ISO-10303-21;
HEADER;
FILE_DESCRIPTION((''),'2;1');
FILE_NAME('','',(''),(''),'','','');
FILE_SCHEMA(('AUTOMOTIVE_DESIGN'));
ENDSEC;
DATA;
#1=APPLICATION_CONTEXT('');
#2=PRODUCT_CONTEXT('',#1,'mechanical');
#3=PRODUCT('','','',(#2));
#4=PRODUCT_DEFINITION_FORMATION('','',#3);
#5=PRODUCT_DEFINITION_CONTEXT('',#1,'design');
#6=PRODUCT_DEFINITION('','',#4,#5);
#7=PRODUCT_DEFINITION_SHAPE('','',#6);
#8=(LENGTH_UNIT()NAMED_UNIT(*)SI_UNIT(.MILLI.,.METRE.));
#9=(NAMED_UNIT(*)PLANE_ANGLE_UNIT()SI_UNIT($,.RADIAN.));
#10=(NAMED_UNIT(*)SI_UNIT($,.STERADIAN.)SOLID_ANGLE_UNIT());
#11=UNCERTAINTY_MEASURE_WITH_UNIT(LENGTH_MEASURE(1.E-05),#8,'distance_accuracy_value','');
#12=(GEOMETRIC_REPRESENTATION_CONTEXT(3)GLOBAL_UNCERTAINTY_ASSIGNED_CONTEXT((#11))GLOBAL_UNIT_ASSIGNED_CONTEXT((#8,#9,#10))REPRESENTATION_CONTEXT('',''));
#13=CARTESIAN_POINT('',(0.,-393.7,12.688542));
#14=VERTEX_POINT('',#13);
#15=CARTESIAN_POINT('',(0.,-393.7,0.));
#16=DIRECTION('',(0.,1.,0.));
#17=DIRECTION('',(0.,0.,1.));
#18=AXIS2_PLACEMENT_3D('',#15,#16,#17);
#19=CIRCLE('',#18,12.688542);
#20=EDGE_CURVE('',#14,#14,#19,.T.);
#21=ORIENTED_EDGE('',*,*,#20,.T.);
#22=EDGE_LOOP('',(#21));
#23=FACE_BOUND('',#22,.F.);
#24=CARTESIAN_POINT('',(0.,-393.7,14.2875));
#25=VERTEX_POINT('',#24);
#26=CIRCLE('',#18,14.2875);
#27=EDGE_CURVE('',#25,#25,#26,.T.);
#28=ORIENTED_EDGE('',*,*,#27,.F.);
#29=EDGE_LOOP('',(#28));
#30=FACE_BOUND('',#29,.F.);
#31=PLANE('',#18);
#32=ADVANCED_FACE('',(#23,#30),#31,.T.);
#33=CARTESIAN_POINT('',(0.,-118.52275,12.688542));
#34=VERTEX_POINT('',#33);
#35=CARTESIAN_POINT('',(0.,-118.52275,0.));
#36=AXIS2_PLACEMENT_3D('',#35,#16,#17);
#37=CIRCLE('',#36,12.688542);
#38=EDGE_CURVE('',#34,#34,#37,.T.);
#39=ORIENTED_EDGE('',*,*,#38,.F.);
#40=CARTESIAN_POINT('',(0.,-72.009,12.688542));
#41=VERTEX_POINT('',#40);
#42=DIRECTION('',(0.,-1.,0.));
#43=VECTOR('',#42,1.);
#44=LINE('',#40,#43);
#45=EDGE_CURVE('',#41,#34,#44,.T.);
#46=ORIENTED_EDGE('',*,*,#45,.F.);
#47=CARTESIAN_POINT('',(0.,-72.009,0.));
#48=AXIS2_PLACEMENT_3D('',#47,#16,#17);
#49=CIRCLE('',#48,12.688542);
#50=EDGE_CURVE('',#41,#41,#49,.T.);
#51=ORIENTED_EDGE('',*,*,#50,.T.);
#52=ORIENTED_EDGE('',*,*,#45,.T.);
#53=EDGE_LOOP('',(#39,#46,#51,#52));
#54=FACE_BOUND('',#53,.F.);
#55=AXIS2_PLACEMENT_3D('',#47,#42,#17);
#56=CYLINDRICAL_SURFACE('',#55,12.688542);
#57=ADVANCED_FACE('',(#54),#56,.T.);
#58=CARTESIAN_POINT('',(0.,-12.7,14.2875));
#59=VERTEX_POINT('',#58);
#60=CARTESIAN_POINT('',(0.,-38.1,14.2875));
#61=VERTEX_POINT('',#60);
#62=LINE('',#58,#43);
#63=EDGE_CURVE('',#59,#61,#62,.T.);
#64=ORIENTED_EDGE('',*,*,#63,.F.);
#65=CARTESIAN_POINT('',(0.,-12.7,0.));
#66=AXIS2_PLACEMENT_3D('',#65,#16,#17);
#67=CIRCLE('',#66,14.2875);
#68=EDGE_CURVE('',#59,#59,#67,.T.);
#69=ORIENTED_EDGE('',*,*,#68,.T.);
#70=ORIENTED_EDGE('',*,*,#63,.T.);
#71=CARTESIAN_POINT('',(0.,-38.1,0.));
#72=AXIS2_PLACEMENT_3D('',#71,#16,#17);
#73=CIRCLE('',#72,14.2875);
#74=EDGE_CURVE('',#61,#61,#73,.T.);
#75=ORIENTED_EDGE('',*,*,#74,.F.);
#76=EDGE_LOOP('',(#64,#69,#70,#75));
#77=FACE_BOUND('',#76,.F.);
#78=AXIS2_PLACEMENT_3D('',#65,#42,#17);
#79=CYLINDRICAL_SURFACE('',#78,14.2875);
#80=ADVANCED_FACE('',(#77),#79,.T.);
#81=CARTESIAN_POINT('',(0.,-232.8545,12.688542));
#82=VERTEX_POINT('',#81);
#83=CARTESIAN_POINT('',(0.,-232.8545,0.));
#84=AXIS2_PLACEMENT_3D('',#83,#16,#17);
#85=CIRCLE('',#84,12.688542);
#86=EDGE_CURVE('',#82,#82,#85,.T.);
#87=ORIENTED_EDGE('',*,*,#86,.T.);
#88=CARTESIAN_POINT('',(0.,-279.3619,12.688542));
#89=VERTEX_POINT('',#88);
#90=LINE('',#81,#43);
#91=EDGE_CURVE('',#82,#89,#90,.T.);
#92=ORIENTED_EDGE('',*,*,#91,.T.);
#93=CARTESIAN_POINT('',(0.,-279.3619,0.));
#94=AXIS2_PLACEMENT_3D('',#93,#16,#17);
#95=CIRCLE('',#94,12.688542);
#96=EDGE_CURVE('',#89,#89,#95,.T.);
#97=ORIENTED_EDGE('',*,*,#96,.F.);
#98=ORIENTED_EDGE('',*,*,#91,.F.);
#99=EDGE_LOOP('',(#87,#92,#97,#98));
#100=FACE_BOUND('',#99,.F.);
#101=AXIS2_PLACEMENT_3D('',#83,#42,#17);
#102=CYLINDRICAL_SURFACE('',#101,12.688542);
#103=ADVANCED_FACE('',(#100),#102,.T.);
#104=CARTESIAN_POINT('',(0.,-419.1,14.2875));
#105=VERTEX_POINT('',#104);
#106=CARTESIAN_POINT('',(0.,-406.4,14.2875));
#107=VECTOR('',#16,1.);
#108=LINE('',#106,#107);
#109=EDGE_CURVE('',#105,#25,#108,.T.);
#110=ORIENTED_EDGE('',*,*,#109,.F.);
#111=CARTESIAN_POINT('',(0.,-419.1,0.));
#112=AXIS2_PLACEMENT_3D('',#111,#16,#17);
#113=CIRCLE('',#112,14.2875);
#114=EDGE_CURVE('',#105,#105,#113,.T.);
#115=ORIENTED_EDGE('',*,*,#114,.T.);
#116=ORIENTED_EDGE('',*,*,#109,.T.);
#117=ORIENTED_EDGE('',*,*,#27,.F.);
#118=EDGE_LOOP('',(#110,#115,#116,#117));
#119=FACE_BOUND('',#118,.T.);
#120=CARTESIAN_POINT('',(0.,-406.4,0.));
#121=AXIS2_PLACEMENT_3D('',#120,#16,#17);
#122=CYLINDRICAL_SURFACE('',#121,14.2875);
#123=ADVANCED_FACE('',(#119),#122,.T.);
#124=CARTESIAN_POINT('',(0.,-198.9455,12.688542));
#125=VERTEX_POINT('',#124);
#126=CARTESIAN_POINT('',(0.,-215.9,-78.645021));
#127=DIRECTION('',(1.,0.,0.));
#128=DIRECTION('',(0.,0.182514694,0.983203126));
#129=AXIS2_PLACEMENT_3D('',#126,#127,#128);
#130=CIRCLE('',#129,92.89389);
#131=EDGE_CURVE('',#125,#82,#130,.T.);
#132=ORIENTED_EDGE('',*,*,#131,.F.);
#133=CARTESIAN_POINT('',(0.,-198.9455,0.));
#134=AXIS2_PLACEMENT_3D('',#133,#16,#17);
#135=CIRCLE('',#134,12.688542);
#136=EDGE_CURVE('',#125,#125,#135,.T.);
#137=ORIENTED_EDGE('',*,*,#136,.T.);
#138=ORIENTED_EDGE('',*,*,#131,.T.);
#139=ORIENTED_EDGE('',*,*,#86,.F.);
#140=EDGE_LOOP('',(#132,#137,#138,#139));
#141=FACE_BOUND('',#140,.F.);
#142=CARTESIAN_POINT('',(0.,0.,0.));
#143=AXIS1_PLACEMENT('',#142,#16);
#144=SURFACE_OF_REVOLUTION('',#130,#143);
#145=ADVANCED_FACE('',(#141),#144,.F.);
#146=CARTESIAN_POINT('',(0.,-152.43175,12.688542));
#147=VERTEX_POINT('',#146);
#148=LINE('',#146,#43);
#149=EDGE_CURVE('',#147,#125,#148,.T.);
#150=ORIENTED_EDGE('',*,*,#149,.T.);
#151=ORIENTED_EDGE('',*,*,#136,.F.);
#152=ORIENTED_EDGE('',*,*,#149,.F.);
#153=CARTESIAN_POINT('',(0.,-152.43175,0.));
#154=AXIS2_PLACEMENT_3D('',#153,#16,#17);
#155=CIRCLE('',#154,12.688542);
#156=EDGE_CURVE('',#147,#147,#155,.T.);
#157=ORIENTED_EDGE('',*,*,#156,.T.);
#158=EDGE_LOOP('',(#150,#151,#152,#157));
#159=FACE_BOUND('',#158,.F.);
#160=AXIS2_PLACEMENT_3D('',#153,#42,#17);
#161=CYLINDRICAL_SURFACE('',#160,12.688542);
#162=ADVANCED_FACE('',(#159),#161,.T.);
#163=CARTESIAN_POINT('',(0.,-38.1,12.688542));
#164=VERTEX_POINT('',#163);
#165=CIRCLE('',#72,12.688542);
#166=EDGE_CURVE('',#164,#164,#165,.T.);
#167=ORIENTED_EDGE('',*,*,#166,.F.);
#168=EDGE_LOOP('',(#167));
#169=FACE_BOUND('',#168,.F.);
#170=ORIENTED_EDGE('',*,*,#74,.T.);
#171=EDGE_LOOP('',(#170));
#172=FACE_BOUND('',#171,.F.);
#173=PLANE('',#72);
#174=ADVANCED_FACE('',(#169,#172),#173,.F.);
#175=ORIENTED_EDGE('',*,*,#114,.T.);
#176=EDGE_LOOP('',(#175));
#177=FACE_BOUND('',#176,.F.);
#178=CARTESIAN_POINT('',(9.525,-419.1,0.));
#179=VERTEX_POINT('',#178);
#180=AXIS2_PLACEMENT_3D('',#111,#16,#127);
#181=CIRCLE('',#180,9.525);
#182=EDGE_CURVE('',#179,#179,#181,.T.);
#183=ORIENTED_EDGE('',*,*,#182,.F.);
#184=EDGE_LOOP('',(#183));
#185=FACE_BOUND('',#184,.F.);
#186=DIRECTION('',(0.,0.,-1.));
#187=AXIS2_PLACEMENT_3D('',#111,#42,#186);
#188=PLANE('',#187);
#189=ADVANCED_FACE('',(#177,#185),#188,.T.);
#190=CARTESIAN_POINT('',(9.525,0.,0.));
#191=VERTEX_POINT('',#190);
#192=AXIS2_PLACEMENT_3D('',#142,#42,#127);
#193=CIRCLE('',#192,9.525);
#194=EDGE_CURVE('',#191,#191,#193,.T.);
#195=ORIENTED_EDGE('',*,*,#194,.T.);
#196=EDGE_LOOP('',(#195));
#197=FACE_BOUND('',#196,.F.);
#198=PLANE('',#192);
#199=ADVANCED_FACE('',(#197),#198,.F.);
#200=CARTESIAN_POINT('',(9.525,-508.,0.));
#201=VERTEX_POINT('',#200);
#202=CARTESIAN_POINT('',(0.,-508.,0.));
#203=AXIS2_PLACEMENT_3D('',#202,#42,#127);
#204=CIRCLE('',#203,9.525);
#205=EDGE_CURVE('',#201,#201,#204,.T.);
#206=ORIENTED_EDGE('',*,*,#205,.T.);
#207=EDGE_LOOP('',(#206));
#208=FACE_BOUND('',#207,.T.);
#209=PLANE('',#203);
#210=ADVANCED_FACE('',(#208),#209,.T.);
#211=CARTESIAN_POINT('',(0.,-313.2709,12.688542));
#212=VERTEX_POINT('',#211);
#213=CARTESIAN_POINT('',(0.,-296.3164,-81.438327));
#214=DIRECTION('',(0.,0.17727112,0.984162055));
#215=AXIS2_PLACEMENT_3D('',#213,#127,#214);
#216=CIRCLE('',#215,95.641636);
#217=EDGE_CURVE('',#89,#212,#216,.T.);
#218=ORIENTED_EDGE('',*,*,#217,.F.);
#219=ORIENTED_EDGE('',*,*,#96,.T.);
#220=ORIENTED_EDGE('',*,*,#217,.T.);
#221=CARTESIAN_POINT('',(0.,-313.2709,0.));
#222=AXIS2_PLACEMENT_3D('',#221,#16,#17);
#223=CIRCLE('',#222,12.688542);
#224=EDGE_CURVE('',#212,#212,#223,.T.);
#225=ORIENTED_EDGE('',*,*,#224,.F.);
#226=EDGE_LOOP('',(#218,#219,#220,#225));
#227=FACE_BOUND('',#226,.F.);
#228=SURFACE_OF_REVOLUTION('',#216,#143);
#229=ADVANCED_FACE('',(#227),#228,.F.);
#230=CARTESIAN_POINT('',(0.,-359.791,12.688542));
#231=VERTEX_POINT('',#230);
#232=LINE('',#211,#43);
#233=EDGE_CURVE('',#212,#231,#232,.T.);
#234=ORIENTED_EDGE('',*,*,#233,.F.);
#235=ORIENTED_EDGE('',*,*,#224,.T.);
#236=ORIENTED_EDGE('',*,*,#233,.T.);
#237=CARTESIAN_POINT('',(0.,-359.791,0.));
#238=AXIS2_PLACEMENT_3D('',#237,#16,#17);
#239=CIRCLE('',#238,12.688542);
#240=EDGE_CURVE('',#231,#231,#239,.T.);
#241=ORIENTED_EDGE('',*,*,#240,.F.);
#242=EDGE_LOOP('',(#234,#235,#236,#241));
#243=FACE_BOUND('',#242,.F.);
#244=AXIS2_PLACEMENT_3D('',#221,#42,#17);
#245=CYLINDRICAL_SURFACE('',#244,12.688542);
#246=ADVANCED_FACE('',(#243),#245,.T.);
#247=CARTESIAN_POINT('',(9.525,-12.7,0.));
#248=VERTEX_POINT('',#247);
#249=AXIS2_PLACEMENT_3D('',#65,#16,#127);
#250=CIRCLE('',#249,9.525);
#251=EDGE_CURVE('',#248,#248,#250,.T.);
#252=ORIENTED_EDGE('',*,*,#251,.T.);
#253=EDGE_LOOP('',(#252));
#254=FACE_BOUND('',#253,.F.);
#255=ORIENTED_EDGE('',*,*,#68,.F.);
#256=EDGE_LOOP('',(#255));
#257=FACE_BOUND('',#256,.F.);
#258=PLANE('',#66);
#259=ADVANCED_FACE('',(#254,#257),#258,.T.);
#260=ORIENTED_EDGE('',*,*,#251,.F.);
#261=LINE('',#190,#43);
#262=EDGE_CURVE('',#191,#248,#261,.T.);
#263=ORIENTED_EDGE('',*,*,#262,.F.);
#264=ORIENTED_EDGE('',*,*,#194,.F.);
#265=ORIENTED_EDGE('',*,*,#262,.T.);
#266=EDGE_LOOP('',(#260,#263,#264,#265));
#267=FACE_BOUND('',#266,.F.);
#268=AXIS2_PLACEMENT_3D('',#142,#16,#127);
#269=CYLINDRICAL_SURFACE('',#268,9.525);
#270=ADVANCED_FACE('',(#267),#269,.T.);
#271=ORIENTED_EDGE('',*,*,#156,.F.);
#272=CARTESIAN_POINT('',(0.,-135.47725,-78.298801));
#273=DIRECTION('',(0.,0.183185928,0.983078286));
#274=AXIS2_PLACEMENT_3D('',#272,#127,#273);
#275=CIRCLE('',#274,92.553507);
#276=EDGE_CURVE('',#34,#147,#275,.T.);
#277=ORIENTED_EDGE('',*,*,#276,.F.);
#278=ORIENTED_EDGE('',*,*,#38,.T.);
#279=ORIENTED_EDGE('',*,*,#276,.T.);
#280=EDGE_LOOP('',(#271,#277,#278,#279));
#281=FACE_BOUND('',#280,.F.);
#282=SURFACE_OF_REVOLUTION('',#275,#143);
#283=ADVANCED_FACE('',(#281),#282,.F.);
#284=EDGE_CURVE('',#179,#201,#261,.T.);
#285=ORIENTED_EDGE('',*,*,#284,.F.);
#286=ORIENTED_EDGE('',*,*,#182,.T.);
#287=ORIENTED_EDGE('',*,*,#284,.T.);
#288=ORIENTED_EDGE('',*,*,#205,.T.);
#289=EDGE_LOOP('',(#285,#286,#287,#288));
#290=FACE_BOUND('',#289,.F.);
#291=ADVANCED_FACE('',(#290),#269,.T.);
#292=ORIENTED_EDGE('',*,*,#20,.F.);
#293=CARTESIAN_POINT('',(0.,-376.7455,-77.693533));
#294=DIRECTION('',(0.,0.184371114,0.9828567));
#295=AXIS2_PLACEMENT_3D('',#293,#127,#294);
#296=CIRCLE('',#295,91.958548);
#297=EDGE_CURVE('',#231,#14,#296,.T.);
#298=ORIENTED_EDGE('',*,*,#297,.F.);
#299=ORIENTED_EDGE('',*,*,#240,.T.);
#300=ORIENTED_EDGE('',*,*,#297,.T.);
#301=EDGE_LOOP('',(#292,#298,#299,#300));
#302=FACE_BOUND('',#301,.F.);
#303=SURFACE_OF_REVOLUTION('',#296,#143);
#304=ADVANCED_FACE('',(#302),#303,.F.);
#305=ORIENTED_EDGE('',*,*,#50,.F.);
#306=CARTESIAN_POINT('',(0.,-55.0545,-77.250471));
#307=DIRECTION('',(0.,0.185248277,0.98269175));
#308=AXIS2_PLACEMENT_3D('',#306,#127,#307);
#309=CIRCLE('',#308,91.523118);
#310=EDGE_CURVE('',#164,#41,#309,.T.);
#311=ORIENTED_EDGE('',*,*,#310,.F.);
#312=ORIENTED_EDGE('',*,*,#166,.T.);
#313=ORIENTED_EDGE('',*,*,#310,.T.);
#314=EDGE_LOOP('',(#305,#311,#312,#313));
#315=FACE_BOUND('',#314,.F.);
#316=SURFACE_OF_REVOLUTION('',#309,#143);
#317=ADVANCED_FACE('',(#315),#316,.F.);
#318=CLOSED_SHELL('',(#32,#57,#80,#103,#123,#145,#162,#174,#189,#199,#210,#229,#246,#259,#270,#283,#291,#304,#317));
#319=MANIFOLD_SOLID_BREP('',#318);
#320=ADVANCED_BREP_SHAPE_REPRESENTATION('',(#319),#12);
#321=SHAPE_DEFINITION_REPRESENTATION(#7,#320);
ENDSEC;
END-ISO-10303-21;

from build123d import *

# Parameters (mm, degrees)
F0_R     = 9.525
F1_DEPTH = 508
F2_W     = 25.4
F2_H     = 1.598958


with BuildPart() as f1:
    # F0 (on Front) → F1 (new body)
    with BuildSketch(Plane.XZ):
        Circle(F0_R)
    extrude(amount=F1_DEPTH)

    # F2 (on Right) → F3 (revolve)
    with BuildSketch(Plane.YZ):
        with BuildLine():
            Line((-419.1, 0), (-12.7, 0))
            Line((-12.7, 0), (-12.7, 14.2875))
            Line((-12.7, 14.2875), (-38.1, 14.2875))
            Line((-38.1, 14.2875), (-38.1, 12.688542))
            ThreePointArc((-38.1, 12.688542), (-55.0545, 14.272647), (-72.009, 12.688542))
            Line((-72.009, 12.688542), (-118.52275, 12.688542))
            ThreePointArc((-118.52275, 12.688542), (-135.47725, 14.254706), (-152.43175, 12.688542))
            Line((-152.43175, 12.688542), (-198.9455, 12.688542))
            ThreePointArc((-198.9455, 12.688542), (-215.9, 14.248869), (-232.8545, 12.688542))
            Line((-232.8545, 12.688542), (-279.3619, 12.688542))
            ThreePointArc((-279.3619, 12.688542), (-296.3164, 14.203309), (-313.2709, 12.688542))
            Line((-313.2709, 12.688542), (-359.791, 12.688542))
            ThreePointArc((-359.791, 12.688542), (-376.7455, 14.265015), (-393.7, 12.688542))
            Line((-393.7, 12.688542), (-419.1, 12.688542))
            Line((-419.1, 12.688542), (-419.1, 0))
        make_face()
        with Locations((-406.4, 13.488021)):
            Rectangle(F2_W, F2_H)
    revolve(axis=Axis((0, 0, 0), (0, 1, 0)))


solid = f1.part
